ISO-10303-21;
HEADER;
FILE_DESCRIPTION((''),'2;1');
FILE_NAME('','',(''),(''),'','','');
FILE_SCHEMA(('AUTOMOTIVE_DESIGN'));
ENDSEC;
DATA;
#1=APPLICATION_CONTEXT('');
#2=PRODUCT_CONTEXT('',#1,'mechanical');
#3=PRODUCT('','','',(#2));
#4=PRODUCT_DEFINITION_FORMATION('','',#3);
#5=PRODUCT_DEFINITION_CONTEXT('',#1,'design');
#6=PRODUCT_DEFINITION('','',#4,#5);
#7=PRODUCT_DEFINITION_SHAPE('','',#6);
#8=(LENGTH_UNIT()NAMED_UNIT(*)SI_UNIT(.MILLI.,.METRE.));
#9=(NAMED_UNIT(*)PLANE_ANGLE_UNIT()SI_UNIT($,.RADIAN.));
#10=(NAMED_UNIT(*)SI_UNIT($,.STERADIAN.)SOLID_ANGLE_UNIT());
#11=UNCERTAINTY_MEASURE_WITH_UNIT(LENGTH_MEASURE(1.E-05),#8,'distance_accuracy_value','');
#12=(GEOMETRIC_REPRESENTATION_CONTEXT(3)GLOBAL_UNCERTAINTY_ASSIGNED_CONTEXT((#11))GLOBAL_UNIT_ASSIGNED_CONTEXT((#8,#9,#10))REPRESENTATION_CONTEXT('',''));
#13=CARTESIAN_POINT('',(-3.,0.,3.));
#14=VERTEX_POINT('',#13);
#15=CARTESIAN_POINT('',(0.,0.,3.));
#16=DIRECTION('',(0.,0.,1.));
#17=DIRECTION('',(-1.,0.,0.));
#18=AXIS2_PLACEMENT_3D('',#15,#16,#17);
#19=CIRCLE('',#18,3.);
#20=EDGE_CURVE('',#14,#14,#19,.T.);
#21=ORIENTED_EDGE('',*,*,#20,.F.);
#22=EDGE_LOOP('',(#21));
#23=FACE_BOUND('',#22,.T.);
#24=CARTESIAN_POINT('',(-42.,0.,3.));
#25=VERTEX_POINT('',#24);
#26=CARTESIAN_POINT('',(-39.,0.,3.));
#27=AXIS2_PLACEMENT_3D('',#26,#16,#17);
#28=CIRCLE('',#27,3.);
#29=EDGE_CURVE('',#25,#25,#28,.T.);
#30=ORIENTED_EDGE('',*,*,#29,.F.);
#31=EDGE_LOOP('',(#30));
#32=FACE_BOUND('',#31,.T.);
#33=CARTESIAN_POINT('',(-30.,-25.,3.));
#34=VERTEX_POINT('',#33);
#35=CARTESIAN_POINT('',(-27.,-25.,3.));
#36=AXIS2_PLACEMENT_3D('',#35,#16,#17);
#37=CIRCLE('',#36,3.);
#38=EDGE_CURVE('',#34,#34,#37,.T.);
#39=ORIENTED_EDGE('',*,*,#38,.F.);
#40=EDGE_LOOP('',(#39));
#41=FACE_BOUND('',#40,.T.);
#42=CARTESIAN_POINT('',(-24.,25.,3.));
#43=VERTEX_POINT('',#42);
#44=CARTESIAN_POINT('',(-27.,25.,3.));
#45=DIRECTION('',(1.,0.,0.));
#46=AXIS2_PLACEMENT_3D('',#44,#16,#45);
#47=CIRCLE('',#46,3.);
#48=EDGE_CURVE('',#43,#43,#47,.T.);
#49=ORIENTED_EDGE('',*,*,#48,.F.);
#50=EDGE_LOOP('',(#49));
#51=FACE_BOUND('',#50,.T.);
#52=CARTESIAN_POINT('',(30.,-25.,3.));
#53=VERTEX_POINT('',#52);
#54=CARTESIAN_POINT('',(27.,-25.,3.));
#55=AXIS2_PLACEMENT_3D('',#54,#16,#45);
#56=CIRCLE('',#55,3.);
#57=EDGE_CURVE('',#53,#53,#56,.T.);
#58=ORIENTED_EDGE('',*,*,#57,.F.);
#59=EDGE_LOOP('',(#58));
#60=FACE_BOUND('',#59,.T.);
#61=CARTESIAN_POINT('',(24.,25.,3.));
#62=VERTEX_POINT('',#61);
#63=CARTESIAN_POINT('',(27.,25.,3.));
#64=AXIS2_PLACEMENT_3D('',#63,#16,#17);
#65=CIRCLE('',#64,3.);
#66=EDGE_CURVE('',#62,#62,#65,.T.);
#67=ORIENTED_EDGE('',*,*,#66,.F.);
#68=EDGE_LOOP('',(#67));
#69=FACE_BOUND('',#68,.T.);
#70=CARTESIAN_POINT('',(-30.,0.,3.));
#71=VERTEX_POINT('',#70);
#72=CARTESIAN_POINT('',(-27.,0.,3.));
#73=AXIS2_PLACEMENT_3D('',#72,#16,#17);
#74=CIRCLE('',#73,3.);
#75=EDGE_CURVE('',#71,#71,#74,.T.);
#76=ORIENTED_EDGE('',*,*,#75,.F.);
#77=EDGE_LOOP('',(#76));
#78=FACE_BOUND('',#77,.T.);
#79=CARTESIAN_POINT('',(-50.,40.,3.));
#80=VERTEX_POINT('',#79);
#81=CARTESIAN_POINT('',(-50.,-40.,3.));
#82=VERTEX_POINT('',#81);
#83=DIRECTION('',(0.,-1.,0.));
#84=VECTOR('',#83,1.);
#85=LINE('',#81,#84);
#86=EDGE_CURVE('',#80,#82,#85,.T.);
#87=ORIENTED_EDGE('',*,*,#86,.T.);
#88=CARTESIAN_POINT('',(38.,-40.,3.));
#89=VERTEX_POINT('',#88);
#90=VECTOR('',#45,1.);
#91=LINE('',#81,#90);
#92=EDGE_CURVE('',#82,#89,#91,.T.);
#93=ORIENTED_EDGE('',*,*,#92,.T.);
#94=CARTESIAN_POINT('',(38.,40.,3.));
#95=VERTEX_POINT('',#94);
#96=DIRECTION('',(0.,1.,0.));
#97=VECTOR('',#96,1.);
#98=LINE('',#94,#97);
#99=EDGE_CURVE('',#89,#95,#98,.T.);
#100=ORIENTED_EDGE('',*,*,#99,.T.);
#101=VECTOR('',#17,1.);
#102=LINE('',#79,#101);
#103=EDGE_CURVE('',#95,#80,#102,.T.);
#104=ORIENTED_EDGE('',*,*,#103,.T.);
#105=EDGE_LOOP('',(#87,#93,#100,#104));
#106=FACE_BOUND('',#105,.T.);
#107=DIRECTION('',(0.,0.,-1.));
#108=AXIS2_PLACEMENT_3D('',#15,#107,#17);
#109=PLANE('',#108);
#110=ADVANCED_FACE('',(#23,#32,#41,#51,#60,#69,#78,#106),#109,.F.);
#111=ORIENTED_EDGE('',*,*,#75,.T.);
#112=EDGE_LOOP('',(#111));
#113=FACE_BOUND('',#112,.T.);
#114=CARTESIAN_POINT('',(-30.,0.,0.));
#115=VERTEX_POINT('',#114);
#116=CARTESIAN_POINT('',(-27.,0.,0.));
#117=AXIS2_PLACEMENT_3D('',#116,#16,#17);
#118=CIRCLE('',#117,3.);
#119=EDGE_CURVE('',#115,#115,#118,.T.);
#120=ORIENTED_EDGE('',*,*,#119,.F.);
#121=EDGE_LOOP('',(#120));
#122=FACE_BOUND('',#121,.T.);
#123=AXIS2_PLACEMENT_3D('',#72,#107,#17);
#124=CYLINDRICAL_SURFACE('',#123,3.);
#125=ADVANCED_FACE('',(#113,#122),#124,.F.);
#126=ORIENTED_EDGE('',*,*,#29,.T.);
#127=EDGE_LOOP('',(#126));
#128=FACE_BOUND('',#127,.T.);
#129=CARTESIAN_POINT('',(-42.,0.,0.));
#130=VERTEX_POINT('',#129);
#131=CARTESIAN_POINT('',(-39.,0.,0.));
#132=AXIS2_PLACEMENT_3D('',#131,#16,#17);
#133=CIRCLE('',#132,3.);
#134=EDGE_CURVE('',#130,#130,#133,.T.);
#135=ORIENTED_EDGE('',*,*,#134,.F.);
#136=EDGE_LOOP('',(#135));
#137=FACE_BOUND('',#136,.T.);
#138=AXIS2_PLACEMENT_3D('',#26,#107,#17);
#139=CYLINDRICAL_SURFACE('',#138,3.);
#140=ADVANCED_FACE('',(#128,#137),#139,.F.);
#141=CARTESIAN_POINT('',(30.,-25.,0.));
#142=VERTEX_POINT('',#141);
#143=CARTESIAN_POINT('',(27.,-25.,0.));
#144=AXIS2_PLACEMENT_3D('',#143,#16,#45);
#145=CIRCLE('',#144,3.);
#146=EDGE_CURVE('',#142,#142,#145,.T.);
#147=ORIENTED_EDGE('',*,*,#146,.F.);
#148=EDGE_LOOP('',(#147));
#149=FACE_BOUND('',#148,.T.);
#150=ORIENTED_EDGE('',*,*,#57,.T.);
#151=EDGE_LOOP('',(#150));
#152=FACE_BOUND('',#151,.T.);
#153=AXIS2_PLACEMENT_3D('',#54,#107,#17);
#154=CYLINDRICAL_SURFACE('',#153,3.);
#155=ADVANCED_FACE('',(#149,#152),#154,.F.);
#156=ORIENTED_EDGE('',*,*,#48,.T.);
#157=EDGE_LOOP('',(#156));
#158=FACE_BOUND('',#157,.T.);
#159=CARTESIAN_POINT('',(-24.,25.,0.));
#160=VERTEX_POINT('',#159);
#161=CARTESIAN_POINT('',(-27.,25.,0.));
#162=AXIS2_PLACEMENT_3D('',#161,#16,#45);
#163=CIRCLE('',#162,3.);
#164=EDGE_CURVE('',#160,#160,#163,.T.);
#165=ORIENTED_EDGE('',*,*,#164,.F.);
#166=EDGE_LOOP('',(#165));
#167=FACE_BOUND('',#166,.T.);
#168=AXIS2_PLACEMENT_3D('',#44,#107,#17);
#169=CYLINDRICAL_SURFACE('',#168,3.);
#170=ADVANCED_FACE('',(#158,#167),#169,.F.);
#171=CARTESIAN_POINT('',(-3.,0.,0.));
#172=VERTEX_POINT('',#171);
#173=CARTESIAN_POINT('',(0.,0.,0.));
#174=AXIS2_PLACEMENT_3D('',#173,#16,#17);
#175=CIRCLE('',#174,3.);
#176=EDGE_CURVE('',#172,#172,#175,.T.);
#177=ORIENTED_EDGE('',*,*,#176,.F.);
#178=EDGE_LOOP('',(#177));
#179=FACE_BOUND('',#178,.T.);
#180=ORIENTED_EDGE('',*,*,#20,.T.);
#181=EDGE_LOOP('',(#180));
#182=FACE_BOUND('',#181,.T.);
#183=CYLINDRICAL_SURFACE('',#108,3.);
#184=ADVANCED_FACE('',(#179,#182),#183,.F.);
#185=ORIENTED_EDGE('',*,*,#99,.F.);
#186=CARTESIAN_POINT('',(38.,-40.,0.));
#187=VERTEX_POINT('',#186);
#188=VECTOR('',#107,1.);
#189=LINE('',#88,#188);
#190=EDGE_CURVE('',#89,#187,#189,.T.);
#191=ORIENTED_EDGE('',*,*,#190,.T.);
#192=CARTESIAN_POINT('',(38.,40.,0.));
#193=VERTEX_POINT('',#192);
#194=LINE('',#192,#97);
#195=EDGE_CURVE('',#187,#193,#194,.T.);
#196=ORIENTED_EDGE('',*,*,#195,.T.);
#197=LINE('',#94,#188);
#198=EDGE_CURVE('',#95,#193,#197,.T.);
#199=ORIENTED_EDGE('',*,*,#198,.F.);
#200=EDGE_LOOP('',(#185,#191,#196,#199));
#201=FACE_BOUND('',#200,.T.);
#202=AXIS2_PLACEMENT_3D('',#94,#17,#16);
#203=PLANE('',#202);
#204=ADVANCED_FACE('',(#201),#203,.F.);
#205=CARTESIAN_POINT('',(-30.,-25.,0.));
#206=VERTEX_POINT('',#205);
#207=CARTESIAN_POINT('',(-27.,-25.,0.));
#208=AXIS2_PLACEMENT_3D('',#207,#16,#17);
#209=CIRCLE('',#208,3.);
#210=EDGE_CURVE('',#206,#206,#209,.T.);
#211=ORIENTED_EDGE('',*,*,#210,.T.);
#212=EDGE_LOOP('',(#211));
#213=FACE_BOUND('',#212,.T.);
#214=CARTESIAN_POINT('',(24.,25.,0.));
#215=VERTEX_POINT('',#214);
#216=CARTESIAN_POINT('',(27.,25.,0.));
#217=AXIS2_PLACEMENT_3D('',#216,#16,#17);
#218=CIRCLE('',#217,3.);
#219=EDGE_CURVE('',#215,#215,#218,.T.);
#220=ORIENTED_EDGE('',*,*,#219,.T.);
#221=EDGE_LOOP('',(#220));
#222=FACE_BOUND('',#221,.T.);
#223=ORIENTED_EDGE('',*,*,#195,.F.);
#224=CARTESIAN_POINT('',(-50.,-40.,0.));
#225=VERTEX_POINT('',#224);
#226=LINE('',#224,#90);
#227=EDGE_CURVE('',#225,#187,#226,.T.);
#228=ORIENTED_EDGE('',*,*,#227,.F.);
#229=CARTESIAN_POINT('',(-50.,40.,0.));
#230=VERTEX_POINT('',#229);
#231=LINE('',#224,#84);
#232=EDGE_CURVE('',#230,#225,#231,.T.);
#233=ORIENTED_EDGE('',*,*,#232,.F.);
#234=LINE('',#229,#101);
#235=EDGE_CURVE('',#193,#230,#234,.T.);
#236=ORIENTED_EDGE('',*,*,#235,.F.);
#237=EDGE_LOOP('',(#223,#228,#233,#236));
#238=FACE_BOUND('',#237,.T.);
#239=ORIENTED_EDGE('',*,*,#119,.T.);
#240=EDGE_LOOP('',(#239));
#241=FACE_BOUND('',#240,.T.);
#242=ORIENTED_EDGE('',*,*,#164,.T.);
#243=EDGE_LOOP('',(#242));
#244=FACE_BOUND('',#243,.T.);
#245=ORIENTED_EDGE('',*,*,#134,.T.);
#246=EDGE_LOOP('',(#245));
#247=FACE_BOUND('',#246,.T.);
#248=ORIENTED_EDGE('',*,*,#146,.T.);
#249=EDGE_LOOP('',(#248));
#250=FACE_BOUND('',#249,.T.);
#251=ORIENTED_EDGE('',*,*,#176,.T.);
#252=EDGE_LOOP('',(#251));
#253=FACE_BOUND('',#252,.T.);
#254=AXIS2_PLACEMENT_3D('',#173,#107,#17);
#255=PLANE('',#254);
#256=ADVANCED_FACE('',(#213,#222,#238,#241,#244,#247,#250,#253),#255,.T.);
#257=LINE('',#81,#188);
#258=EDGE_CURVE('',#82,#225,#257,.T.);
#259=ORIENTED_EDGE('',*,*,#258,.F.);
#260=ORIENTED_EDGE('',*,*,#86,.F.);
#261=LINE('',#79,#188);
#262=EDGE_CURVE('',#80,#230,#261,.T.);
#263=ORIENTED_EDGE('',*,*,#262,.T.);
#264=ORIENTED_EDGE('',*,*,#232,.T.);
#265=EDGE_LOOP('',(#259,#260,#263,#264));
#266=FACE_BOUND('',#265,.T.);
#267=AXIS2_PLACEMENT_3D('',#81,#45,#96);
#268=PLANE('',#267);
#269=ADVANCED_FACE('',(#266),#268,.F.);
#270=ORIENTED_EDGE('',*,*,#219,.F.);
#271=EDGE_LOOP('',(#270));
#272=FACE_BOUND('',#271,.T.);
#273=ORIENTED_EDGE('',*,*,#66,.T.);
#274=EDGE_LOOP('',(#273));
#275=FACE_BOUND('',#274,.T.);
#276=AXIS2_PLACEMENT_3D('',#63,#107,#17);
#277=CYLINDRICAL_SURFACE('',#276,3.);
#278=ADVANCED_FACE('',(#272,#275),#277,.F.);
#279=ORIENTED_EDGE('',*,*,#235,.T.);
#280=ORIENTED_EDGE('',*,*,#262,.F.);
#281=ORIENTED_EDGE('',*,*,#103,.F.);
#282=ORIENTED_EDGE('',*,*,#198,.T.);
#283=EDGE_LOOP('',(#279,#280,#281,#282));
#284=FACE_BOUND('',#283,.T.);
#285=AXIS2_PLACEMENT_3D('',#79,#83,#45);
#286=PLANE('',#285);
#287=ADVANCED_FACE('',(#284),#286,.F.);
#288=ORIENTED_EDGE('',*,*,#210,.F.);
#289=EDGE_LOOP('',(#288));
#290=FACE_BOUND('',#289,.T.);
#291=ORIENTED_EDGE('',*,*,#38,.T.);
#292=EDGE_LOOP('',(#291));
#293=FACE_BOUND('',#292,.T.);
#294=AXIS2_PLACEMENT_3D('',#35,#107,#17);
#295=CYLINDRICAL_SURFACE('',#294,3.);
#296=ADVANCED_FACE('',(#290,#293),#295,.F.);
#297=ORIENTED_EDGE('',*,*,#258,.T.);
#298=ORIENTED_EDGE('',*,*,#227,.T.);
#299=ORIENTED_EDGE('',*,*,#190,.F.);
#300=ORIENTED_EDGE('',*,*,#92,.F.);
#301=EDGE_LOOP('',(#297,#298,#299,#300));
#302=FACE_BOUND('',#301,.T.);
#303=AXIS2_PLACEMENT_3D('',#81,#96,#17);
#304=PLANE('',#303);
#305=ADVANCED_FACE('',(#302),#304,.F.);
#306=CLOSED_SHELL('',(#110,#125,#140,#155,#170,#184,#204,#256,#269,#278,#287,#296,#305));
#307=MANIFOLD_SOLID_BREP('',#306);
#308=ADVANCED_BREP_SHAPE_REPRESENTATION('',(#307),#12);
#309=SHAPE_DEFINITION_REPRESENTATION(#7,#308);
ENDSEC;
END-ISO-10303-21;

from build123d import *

# Parameters (mm, degrees)
SKETCH_1_W      = 88
SKETCH_1_H      = 80
SKETCH_1_R      = 3
EXTRUDE_1_DEPTH = 3


with BuildPart() as part:
    # 草图1 → 凸台-拉伸1 (new body)
    with BuildSketch(Plane.XY):
        with Locations((-6, 0)):
            Rectangle(SKETCH_1_W, SKETCH_1_H)
        with Locations((-27, 25)):
            Circle(SKETCH_1_R, mode=Mode.SUBTRACT)
        with Locations(Location((27, 25, 0), (0, 0, 180))):
            Circle(SKETCH_1_R, mode=Mode.SUBTRACT)
        with Locations((27, -25)):
            Circle(SKETCH_1_R, mode=Mode.SUBTRACT)
        with Locations(Location((-27, -25, 0), (0, 0, 180))):
            Circle(SKETCH_1_R, mode=Mode.SUBTRACT)
        with Locations(Location((0, 0, 0), (0, 0, 180))):
            Circle(SKETCH_1_R, mode=Mode.SUBTRACT)
        with Locations(Location((-39, 0, 0), (0, 0, 180))):
            Circle(SKETCH_1_R, mode=Mode.SUBTRACT)
        with Locations(Location((-27, 0, 0), (0, 0, 180))):
            Circle(SKETCH_1_R, mode=Mode.SUBTRACT)
    extrude(amount=EXTRUDE_1_DEPTH)


solid = part.part
